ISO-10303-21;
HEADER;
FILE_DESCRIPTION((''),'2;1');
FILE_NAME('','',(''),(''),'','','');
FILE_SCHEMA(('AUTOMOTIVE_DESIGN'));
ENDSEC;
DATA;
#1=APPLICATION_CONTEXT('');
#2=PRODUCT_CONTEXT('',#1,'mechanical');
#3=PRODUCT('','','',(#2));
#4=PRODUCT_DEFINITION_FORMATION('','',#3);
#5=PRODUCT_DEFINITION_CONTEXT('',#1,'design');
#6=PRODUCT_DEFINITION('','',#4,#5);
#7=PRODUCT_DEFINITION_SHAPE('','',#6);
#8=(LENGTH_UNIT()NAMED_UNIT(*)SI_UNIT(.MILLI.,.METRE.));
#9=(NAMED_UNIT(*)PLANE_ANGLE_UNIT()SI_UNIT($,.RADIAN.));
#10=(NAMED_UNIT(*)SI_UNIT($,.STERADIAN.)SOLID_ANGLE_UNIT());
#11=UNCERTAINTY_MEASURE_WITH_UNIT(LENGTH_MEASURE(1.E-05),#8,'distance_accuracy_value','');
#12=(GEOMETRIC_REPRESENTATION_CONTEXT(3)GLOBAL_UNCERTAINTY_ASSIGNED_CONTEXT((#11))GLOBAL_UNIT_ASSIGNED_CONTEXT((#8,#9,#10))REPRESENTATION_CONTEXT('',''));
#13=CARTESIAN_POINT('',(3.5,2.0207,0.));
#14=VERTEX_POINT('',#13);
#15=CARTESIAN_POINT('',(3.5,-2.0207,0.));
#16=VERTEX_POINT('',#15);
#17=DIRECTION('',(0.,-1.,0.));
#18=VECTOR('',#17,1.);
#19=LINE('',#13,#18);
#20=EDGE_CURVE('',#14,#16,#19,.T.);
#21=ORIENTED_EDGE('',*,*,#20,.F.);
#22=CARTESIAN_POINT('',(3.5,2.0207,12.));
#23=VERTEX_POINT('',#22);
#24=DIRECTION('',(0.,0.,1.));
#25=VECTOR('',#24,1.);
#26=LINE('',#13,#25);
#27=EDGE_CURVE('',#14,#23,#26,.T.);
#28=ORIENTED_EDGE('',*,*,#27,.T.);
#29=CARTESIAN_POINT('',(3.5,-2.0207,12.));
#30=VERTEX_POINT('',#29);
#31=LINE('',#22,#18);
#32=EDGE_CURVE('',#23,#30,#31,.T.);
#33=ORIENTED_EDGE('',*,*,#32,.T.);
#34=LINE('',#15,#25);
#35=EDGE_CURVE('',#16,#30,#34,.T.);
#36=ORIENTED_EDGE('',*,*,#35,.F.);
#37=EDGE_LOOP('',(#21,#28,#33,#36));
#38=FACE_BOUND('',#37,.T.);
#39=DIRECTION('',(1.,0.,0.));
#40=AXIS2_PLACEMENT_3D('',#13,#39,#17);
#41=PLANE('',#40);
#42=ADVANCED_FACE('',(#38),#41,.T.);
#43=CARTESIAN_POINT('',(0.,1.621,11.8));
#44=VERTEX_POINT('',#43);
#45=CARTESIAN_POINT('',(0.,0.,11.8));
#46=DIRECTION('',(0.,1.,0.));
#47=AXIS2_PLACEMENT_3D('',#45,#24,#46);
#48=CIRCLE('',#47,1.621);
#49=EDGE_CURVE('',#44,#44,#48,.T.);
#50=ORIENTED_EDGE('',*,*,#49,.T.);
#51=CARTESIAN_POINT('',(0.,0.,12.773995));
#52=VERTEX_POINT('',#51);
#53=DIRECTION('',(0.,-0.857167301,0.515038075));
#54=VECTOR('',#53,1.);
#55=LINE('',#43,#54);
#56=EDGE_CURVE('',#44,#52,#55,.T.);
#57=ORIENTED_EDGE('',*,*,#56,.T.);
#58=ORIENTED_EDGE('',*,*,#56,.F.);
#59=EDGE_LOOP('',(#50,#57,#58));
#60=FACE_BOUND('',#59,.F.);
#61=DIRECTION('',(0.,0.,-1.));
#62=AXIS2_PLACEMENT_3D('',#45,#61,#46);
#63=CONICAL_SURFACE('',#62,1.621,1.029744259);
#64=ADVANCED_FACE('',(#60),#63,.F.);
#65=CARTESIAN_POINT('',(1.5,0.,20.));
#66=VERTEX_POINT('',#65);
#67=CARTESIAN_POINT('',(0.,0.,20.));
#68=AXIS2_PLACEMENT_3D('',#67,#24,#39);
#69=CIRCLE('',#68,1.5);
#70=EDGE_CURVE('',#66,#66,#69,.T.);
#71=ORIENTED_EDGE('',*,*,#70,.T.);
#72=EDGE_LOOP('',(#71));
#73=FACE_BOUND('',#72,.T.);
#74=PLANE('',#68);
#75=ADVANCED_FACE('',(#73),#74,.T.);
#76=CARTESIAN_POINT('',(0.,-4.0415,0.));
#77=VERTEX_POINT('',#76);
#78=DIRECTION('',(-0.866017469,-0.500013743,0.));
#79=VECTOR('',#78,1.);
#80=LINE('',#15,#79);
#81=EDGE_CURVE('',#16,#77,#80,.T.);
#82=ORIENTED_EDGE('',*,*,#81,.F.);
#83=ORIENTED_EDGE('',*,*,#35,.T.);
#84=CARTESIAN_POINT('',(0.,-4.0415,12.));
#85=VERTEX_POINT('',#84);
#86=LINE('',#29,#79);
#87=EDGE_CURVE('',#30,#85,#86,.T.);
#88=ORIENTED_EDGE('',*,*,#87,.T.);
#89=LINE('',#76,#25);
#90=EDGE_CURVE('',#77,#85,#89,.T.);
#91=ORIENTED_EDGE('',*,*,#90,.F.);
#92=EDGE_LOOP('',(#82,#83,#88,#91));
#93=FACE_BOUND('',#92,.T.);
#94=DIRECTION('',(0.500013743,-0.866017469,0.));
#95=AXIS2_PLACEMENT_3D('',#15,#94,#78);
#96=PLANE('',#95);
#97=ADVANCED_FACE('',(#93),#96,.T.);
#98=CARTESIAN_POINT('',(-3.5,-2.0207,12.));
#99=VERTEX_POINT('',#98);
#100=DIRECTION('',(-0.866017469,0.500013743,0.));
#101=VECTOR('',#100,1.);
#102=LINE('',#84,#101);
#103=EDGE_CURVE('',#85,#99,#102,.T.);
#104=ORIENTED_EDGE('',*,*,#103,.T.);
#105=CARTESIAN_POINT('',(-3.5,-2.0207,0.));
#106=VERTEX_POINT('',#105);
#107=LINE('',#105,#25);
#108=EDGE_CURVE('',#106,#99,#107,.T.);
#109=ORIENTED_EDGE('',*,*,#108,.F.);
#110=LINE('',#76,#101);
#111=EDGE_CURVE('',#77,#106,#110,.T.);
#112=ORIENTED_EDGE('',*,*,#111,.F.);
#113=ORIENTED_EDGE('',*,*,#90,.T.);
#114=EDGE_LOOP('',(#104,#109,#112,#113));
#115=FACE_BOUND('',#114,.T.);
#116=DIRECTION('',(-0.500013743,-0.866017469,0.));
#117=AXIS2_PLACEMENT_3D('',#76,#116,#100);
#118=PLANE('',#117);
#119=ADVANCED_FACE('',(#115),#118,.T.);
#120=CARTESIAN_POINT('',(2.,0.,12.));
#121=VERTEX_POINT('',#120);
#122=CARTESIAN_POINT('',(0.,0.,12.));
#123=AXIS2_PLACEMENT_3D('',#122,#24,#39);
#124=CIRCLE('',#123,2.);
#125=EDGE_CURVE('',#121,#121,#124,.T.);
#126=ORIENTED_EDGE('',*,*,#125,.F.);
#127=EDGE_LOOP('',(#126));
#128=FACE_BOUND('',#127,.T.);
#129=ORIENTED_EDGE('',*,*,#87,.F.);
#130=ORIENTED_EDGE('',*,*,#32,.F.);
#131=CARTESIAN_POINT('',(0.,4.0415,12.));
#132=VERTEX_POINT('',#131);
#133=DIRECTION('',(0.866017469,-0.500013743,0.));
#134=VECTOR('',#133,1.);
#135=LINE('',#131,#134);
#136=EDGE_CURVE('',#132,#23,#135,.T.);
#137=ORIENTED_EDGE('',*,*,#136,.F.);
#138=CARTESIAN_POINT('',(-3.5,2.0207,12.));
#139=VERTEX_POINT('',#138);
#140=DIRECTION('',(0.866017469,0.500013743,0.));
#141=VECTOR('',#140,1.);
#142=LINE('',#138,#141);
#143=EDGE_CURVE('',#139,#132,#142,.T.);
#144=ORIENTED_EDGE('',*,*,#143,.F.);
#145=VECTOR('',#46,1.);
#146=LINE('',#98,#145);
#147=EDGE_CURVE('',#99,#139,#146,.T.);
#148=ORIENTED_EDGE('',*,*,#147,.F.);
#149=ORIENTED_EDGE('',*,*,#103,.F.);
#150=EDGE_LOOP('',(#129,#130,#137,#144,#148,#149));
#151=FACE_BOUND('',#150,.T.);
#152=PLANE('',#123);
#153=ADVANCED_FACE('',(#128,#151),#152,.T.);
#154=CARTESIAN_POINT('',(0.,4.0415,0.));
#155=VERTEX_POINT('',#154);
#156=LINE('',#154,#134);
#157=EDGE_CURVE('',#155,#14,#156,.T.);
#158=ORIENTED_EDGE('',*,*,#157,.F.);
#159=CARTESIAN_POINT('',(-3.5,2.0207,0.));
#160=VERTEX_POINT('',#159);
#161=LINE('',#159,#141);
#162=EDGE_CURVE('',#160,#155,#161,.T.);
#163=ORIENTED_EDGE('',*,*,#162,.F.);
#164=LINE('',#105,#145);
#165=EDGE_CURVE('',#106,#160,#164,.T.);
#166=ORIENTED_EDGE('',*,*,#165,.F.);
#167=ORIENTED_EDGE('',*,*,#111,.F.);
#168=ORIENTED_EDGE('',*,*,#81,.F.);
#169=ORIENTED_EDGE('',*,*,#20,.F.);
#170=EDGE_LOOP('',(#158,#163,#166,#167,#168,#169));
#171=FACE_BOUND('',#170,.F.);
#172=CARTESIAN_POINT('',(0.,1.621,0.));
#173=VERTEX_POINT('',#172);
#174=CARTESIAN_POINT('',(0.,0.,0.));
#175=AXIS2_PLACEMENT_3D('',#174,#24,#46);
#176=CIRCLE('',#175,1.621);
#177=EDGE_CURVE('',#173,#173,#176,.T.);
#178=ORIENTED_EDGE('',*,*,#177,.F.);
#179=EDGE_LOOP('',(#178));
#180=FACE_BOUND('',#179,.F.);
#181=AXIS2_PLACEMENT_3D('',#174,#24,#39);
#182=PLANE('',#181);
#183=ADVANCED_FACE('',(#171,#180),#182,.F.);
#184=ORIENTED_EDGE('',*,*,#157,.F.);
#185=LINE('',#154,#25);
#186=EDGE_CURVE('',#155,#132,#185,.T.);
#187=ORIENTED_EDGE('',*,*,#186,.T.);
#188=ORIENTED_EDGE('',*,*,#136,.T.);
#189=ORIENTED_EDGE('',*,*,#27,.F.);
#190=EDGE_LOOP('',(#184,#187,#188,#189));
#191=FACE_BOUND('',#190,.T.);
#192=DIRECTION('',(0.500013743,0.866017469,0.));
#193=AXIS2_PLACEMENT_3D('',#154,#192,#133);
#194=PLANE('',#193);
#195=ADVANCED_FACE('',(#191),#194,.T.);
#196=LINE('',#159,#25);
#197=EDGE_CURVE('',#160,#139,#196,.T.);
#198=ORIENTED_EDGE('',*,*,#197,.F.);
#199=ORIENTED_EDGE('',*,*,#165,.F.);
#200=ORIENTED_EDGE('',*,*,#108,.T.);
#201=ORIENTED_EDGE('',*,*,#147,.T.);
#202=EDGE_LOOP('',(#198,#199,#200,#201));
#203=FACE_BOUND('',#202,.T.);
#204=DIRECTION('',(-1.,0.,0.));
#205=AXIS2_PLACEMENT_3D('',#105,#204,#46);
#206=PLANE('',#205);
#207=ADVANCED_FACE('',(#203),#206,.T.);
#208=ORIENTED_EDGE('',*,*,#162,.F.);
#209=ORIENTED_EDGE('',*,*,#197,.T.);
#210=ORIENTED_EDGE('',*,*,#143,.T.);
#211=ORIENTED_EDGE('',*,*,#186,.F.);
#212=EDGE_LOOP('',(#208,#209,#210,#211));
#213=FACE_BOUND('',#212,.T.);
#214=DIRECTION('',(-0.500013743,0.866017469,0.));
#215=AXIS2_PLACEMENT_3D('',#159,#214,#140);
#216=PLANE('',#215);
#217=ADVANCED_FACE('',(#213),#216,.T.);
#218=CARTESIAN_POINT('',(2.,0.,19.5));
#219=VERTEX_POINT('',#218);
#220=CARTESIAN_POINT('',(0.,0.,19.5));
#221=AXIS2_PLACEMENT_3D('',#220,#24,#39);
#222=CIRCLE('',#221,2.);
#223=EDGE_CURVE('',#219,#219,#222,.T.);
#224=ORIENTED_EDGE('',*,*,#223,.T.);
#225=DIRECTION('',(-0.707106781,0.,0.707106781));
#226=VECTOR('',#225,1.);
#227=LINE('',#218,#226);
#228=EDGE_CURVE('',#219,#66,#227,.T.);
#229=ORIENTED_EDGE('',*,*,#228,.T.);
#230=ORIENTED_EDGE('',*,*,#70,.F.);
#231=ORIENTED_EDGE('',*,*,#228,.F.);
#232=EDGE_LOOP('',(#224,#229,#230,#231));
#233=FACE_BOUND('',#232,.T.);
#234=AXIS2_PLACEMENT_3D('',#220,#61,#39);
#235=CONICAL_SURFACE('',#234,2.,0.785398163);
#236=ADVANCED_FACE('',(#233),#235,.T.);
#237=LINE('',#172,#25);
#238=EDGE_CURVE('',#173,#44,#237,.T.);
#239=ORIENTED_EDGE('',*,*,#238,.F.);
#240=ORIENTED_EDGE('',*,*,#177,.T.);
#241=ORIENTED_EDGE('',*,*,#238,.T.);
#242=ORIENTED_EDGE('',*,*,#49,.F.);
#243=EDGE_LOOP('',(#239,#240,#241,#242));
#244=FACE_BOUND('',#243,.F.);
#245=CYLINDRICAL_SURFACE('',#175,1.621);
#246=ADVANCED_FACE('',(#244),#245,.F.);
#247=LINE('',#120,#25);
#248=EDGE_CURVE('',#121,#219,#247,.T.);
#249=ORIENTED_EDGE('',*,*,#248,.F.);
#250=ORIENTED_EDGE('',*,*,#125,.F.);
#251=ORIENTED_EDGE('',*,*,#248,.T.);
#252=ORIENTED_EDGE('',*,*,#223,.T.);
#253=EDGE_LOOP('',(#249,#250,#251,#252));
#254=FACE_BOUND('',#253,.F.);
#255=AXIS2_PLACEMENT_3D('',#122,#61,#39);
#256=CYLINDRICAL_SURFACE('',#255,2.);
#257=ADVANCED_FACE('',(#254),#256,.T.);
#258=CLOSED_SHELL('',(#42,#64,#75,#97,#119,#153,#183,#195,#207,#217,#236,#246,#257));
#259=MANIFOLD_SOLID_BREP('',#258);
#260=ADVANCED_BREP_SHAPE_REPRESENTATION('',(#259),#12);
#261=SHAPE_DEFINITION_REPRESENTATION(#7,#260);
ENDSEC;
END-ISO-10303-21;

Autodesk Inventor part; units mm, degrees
ref_plane "YZ Plane" through (0, 0, 0) normal (1, 0, 0) x (0, 1, 0)
ref_plane "XZ Plane" through (0, 0, 0) normal (0, 1, 0) x (-1, 0, 0)
ref_plane "XY Plane" through (0, 0, 0) normal (0, 0, 1) x (1, 0, 0)
sketch "Sketch1" plane through (0, 0, 0) normal (0, 0, 1) x (1, 0, 0)
  line L0 (3.5, 2.0207) -> (3.5, -2.0207)
  line L1 (3.5, -2.0207) -> (0, -4.0415)
  line L2 (0, -4.0415) -> (-3.5, -2.0207)
  line L3 (-3.5, -2.0207) -> (-3.5, 2.0207)
  line L4 (-3.5, 2.0207) -> (0, 4.0415)
  line L5 (0, 4.0415) -> (3.5, 2.0207)
  point P0 (0, 0)
  point P1 (0, 0)
  dimension "d0" = 7
extrude "Extrusion1" add sketch "Sketch1" along normal blind 12
sketch "Sketch2" plane through (0, 0, 12) normal (0, 0, 1) x (1, 0, 0)
  circle A0 centre (0, 0) radius 2
  dimension "d3" = 4
extrude "Extrusion2" add sketch "Sketch2" along normal blind 8
sketch "Sketch3" plane through (0, 0, 0) normal (0, 0, -1) x (-1, 0, 0)
  point P0 (0, 0)
  point P1 (0, 0)
hole "Hole1" at (0, 0, 0) direction (0, 0, 1) diameter 3.242 depth 11.8 tip angle 118 thread size "M4x0.7" class "6H" standard "ISO Metric profile"
chamfer "Chamfer1" distance 0.5 angle 45 1 edges at (-2, 0, 20)
thread "Thread1" size "M4x0.7" class "6g" standard "ANSI Metric M Profile" full length
properties part number "Abstandshalter_10mm_M4" material "Stainless Steel"
